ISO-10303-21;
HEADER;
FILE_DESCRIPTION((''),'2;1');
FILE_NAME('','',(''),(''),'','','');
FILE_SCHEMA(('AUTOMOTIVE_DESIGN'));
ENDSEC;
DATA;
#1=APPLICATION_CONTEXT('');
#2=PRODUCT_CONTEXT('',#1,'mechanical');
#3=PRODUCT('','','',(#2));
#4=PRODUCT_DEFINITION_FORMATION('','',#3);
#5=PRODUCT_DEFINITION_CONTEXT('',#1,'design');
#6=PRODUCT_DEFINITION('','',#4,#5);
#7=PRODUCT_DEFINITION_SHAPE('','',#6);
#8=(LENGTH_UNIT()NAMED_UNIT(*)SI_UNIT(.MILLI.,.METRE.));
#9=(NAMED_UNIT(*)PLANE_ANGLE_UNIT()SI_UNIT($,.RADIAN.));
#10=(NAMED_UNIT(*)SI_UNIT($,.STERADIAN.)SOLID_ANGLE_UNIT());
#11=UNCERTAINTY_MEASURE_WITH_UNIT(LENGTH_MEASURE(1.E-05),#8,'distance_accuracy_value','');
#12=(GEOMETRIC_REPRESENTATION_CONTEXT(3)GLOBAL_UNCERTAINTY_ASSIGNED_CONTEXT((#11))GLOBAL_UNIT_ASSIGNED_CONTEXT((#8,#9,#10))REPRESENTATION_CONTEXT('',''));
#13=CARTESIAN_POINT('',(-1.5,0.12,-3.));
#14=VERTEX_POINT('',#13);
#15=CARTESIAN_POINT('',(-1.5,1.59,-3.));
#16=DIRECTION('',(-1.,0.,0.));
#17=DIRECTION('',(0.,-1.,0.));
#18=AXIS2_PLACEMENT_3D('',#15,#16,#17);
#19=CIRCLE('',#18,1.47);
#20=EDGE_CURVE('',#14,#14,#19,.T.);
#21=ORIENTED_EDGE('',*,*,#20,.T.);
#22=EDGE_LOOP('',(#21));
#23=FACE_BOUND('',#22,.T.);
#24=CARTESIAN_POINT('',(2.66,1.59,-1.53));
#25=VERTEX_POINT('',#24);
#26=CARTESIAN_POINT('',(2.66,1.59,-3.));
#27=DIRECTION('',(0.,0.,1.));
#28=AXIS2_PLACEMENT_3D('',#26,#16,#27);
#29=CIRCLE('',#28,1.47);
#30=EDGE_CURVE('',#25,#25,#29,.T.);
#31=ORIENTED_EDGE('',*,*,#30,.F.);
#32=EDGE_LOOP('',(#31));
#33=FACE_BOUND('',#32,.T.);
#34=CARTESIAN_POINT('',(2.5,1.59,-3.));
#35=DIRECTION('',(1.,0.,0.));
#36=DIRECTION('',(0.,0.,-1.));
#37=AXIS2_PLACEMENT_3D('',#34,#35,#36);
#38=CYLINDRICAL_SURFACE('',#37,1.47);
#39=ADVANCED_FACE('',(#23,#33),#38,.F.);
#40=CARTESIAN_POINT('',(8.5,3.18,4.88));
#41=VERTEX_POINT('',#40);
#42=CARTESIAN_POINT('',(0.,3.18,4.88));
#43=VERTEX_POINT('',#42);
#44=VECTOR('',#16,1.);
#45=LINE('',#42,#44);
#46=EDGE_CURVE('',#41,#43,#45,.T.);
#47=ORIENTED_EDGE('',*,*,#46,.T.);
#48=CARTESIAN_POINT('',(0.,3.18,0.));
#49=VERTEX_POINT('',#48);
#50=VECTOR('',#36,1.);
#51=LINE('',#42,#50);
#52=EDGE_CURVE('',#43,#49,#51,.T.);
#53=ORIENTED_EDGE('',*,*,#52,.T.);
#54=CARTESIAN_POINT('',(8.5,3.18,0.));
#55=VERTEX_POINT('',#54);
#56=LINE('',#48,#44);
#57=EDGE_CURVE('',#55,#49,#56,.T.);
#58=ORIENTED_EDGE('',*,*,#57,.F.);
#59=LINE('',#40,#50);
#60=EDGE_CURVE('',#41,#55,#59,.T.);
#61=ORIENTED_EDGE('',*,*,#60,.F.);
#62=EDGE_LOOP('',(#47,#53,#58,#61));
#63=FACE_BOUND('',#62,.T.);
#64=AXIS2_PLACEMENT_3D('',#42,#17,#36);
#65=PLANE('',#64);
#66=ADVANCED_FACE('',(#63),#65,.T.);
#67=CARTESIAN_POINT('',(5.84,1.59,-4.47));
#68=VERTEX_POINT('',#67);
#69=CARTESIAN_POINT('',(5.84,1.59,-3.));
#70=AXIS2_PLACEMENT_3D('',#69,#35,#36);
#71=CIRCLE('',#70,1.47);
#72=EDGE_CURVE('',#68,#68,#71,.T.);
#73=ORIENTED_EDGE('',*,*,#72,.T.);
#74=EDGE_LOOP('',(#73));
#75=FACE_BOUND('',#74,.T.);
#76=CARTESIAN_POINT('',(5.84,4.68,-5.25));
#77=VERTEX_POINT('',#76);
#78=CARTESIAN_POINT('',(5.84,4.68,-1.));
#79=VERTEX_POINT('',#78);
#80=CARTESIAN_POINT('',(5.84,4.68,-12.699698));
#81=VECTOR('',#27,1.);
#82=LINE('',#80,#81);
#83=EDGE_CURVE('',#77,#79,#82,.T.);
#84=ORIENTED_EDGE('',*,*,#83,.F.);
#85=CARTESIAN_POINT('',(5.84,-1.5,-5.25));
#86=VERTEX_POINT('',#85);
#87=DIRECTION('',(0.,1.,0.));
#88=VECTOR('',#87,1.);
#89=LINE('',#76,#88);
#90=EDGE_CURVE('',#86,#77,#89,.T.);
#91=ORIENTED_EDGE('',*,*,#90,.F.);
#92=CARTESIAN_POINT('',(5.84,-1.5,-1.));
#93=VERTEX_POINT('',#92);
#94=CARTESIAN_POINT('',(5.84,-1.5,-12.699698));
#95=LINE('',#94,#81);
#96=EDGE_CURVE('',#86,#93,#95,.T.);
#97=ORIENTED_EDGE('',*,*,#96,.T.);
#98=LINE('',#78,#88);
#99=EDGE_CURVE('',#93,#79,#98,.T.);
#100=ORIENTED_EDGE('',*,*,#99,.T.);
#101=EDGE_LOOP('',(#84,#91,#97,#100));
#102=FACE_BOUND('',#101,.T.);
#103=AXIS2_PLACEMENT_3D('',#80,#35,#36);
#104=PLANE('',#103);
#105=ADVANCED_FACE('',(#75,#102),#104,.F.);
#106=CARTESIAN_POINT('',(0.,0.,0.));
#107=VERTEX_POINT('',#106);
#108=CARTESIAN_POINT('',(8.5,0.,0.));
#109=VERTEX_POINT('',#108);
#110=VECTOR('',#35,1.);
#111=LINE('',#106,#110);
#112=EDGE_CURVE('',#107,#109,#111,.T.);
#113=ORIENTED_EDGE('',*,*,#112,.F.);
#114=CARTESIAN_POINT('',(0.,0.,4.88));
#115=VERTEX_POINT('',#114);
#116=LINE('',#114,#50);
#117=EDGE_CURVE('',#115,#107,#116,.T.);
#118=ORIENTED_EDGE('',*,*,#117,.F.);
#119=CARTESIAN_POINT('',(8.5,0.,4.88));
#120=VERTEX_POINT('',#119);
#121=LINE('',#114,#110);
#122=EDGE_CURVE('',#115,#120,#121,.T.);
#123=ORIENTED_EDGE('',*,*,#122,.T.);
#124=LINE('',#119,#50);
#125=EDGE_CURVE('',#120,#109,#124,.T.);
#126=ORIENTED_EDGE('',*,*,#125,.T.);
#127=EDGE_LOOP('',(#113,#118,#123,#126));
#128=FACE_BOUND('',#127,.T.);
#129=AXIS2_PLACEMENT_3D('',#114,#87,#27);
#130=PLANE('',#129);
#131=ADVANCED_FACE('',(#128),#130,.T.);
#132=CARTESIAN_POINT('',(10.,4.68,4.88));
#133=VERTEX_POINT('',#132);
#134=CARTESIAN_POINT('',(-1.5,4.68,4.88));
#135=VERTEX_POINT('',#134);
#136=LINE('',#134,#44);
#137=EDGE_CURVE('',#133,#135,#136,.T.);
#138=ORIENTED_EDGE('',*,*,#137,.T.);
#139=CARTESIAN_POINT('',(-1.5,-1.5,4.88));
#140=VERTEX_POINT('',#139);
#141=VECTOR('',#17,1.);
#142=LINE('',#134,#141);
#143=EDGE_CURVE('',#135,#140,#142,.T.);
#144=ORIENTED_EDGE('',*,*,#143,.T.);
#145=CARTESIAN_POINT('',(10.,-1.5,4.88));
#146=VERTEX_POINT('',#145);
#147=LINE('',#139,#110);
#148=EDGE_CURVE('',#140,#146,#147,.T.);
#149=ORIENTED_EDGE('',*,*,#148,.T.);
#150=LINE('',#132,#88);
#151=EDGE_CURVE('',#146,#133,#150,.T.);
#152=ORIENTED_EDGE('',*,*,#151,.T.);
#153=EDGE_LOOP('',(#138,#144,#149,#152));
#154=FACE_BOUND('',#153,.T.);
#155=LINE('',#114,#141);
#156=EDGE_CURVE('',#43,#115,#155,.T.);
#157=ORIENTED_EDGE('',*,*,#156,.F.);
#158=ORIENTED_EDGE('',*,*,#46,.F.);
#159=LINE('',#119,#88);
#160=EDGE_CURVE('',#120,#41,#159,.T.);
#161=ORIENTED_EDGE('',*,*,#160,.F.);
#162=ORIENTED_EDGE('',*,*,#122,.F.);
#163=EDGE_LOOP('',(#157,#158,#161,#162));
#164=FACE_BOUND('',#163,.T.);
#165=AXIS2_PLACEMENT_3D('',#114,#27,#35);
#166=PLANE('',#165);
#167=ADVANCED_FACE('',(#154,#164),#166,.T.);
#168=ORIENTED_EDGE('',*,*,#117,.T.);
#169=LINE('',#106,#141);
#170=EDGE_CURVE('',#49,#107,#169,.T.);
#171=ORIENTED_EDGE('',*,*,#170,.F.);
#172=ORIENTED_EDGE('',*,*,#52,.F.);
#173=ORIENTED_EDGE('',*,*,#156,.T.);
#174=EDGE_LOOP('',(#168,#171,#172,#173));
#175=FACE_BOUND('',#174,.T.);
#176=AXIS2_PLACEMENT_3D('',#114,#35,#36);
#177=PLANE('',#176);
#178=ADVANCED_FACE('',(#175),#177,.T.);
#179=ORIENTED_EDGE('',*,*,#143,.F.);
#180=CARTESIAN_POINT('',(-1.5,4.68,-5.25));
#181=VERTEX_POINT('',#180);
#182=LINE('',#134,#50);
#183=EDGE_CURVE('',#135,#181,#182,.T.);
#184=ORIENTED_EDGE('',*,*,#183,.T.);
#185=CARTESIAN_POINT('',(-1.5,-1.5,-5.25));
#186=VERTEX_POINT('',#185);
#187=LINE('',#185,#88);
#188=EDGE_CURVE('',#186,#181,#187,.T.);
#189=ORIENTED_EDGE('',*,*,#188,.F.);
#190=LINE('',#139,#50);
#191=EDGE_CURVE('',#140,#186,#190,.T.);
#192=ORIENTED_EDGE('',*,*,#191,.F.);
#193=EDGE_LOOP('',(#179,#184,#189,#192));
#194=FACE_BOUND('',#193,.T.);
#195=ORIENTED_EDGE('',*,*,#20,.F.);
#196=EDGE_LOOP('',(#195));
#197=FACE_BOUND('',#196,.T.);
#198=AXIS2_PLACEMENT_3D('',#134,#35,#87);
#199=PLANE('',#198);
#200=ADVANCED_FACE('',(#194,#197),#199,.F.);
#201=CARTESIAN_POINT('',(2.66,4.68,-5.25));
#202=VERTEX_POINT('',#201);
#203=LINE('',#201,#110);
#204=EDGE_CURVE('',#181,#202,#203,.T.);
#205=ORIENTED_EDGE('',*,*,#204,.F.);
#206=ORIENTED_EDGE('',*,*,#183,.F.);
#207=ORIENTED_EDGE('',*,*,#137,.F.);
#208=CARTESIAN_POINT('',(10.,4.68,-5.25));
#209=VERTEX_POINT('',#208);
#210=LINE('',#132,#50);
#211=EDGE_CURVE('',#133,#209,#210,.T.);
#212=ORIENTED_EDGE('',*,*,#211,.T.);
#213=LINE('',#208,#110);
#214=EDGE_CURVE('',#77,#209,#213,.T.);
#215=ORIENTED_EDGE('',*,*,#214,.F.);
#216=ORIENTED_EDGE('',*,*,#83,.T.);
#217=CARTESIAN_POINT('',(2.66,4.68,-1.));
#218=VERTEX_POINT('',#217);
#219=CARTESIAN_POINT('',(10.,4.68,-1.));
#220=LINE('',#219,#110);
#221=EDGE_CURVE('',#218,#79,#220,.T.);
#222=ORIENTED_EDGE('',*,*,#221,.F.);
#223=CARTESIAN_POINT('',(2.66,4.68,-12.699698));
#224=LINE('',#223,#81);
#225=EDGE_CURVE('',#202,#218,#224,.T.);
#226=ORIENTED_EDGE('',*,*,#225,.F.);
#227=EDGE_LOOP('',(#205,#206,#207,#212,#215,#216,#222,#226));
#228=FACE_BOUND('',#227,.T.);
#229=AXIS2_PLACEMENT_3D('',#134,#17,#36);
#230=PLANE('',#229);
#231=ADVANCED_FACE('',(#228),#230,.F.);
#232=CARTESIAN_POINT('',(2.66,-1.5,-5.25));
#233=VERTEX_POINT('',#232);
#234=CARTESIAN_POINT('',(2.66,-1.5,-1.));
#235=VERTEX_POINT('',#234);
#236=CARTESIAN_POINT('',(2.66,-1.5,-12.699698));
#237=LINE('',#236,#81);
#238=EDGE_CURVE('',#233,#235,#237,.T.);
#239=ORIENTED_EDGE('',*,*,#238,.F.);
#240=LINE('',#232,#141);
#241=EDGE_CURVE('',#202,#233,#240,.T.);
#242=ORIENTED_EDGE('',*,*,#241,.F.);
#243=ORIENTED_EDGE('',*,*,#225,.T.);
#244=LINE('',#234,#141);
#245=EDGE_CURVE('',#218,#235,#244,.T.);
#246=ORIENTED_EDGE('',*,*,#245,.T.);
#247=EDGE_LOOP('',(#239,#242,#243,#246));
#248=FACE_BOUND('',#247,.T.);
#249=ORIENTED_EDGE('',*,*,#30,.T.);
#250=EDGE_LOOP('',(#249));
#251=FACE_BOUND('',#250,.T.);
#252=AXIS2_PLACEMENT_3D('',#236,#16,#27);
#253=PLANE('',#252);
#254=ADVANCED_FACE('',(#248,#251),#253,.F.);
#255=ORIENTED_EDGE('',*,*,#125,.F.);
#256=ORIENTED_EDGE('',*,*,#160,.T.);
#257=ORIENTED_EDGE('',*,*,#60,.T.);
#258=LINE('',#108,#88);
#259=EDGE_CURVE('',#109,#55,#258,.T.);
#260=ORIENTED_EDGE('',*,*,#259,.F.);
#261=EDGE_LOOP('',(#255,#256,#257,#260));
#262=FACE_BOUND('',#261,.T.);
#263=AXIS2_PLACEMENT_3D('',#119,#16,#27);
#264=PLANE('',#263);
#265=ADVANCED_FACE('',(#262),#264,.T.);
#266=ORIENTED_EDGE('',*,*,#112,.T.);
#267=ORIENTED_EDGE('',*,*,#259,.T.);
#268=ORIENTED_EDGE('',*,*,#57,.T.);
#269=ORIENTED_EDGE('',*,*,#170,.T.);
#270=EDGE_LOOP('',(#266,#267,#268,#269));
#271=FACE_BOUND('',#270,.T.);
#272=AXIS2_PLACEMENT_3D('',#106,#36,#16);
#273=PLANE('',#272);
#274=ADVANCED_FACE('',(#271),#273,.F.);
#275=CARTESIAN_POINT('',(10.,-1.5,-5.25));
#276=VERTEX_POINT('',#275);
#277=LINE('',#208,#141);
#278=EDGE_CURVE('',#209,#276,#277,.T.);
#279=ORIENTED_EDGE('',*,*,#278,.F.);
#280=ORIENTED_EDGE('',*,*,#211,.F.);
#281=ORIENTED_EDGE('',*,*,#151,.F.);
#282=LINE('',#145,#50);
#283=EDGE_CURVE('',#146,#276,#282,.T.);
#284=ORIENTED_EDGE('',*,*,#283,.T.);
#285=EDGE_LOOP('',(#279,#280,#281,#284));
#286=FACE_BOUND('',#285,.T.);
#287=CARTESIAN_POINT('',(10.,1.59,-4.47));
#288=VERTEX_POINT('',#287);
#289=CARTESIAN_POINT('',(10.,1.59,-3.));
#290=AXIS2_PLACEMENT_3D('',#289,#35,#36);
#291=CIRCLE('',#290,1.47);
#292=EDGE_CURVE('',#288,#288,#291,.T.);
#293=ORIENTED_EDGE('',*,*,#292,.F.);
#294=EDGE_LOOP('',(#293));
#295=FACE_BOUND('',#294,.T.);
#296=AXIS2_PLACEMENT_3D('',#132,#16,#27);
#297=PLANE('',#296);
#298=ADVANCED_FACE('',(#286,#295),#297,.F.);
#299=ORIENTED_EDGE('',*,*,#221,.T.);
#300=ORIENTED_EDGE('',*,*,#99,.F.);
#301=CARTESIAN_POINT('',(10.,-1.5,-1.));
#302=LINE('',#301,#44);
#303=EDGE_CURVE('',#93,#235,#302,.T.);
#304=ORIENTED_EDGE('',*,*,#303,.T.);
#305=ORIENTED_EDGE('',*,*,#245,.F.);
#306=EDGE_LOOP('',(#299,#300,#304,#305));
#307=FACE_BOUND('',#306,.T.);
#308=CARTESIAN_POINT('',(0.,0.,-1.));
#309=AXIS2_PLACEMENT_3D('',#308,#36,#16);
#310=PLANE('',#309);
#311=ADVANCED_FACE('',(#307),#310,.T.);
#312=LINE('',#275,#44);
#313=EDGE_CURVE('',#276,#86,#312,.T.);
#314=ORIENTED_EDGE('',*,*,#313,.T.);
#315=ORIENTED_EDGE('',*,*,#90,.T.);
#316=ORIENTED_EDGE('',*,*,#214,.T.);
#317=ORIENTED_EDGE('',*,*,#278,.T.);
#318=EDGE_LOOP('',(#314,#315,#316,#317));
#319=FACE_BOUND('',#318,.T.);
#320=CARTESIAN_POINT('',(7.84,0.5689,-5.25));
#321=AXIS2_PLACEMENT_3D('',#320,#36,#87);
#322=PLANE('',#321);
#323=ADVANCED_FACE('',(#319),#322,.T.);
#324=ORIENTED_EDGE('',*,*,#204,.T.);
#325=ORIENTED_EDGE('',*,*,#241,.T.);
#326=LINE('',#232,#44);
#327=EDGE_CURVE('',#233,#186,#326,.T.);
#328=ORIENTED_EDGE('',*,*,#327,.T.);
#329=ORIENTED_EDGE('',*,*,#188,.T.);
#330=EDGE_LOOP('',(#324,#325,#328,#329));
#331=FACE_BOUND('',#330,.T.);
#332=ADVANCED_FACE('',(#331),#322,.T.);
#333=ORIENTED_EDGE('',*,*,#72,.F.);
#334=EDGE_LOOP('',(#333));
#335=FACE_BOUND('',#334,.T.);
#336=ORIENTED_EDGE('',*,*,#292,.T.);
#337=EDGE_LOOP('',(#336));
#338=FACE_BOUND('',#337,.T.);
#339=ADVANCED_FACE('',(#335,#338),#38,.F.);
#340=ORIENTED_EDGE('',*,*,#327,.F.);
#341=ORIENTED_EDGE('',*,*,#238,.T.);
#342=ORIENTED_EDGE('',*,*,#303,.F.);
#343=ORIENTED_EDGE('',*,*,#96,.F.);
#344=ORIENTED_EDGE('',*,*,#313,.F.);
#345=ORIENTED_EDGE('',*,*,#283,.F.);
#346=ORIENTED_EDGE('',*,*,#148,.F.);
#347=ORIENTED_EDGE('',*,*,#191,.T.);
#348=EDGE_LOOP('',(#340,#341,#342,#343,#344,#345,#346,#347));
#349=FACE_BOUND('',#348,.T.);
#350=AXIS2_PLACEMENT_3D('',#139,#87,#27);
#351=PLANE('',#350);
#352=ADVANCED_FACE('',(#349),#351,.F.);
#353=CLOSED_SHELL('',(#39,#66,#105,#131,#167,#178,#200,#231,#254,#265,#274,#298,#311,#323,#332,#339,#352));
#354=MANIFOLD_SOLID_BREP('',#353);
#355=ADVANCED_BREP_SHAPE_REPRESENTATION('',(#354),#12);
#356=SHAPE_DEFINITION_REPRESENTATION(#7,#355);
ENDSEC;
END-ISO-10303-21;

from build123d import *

# Parameters (mm, degrees)
SKETCH1_W           = 11.5
SKETCH1_H           = 6.18
SKETCH1_W_2         = 8.5
SKETCH1_H_2         = 3.18
BOSS_EXTRUDE1_DEPTH = 4.88
SKETCH2_W           = 11.5
SKETCH2_H           = 6.18
BOSS_EXTRUDE2_DEPTH = 1
SKETCH3_W           = 4.16
SKETCH3_H           = 6.18
BOSS_EXTRUDE3_DEPTH = 4.25
SKETCH4_R           = 1.47
CUT_EXTRUDE1_DEPTH  = 7.5
SKETCH5_R           = 1.47
CUT_EXTRUDE2_DEPTH  = 14.480166913


with BuildPart() as part:
    # Sketch1 → Boss-Extrude1 (new body)
    with BuildSketch(Plane.XY):
        with Locations((4.25, 1.59)):
            Rectangle(SKETCH1_W, SKETCH1_H)
        with Locations((4.25, 1.59)):
            Rectangle(SKETCH1_W_2, SKETCH1_H_2, mode=Mode.SUBTRACT)
    extrude(amount=BOSS_EXTRUDE1_DEPTH)

    # Sketch2 → Boss-Extrude2 (add)
    with BuildSketch(Plane(origin=(0, 0, 0), x_dir=(-1, 0, 0), z_dir=(0, 0, -1))):
        with Locations((-4.25, 1.59)):
            Rectangle(SKETCH2_W, SKETCH2_H)
    extrude(amount=BOSS_EXTRUDE2_DEPTH)

    # Sketch3 → Boss-Extrude3 (add)
    with BuildSketch(Plane(origin=(0, 0, -1), x_dir=(-1, 0, 0), z_dir=(0, 0, -1))):
        with Locations((-7.92, 1.59)):
            Rectangle(SKETCH3_W, SKETCH3_H)
        with Locations((-0.58, 1.59)):
            Rectangle(SKETCH3_W, SKETCH3_H)
    extrude(amount=BOSS_EXTRUDE3_DEPTH)

    # Sketch4 → Cut-Extrude1 (cut)
    with BuildSketch(Plane(origin=(10, 0, 0), x_dir=(0, 0, -1), z_dir=(1, 0, 0))):
        with Locations((3, 1.59)):
            Circle(SKETCH4_R)
    extrude(amount=-CUT_EXTRUDE1_DEPTH, mode=Mode.SUBTRACT)

    # Sketch5 → Cut-Extrude2 (cut, through all)
    with BuildSketch(Plane.ZY.offset(1.5)):
        with Locations(Location((-3, 1.59, 0), (0, 0, 270))):
            Circle(SKETCH5_R)
    extrude(amount=-CUT_EXTRUDE2_DEPTH, mode=Mode.SUBTRACT)


solid = part.part
